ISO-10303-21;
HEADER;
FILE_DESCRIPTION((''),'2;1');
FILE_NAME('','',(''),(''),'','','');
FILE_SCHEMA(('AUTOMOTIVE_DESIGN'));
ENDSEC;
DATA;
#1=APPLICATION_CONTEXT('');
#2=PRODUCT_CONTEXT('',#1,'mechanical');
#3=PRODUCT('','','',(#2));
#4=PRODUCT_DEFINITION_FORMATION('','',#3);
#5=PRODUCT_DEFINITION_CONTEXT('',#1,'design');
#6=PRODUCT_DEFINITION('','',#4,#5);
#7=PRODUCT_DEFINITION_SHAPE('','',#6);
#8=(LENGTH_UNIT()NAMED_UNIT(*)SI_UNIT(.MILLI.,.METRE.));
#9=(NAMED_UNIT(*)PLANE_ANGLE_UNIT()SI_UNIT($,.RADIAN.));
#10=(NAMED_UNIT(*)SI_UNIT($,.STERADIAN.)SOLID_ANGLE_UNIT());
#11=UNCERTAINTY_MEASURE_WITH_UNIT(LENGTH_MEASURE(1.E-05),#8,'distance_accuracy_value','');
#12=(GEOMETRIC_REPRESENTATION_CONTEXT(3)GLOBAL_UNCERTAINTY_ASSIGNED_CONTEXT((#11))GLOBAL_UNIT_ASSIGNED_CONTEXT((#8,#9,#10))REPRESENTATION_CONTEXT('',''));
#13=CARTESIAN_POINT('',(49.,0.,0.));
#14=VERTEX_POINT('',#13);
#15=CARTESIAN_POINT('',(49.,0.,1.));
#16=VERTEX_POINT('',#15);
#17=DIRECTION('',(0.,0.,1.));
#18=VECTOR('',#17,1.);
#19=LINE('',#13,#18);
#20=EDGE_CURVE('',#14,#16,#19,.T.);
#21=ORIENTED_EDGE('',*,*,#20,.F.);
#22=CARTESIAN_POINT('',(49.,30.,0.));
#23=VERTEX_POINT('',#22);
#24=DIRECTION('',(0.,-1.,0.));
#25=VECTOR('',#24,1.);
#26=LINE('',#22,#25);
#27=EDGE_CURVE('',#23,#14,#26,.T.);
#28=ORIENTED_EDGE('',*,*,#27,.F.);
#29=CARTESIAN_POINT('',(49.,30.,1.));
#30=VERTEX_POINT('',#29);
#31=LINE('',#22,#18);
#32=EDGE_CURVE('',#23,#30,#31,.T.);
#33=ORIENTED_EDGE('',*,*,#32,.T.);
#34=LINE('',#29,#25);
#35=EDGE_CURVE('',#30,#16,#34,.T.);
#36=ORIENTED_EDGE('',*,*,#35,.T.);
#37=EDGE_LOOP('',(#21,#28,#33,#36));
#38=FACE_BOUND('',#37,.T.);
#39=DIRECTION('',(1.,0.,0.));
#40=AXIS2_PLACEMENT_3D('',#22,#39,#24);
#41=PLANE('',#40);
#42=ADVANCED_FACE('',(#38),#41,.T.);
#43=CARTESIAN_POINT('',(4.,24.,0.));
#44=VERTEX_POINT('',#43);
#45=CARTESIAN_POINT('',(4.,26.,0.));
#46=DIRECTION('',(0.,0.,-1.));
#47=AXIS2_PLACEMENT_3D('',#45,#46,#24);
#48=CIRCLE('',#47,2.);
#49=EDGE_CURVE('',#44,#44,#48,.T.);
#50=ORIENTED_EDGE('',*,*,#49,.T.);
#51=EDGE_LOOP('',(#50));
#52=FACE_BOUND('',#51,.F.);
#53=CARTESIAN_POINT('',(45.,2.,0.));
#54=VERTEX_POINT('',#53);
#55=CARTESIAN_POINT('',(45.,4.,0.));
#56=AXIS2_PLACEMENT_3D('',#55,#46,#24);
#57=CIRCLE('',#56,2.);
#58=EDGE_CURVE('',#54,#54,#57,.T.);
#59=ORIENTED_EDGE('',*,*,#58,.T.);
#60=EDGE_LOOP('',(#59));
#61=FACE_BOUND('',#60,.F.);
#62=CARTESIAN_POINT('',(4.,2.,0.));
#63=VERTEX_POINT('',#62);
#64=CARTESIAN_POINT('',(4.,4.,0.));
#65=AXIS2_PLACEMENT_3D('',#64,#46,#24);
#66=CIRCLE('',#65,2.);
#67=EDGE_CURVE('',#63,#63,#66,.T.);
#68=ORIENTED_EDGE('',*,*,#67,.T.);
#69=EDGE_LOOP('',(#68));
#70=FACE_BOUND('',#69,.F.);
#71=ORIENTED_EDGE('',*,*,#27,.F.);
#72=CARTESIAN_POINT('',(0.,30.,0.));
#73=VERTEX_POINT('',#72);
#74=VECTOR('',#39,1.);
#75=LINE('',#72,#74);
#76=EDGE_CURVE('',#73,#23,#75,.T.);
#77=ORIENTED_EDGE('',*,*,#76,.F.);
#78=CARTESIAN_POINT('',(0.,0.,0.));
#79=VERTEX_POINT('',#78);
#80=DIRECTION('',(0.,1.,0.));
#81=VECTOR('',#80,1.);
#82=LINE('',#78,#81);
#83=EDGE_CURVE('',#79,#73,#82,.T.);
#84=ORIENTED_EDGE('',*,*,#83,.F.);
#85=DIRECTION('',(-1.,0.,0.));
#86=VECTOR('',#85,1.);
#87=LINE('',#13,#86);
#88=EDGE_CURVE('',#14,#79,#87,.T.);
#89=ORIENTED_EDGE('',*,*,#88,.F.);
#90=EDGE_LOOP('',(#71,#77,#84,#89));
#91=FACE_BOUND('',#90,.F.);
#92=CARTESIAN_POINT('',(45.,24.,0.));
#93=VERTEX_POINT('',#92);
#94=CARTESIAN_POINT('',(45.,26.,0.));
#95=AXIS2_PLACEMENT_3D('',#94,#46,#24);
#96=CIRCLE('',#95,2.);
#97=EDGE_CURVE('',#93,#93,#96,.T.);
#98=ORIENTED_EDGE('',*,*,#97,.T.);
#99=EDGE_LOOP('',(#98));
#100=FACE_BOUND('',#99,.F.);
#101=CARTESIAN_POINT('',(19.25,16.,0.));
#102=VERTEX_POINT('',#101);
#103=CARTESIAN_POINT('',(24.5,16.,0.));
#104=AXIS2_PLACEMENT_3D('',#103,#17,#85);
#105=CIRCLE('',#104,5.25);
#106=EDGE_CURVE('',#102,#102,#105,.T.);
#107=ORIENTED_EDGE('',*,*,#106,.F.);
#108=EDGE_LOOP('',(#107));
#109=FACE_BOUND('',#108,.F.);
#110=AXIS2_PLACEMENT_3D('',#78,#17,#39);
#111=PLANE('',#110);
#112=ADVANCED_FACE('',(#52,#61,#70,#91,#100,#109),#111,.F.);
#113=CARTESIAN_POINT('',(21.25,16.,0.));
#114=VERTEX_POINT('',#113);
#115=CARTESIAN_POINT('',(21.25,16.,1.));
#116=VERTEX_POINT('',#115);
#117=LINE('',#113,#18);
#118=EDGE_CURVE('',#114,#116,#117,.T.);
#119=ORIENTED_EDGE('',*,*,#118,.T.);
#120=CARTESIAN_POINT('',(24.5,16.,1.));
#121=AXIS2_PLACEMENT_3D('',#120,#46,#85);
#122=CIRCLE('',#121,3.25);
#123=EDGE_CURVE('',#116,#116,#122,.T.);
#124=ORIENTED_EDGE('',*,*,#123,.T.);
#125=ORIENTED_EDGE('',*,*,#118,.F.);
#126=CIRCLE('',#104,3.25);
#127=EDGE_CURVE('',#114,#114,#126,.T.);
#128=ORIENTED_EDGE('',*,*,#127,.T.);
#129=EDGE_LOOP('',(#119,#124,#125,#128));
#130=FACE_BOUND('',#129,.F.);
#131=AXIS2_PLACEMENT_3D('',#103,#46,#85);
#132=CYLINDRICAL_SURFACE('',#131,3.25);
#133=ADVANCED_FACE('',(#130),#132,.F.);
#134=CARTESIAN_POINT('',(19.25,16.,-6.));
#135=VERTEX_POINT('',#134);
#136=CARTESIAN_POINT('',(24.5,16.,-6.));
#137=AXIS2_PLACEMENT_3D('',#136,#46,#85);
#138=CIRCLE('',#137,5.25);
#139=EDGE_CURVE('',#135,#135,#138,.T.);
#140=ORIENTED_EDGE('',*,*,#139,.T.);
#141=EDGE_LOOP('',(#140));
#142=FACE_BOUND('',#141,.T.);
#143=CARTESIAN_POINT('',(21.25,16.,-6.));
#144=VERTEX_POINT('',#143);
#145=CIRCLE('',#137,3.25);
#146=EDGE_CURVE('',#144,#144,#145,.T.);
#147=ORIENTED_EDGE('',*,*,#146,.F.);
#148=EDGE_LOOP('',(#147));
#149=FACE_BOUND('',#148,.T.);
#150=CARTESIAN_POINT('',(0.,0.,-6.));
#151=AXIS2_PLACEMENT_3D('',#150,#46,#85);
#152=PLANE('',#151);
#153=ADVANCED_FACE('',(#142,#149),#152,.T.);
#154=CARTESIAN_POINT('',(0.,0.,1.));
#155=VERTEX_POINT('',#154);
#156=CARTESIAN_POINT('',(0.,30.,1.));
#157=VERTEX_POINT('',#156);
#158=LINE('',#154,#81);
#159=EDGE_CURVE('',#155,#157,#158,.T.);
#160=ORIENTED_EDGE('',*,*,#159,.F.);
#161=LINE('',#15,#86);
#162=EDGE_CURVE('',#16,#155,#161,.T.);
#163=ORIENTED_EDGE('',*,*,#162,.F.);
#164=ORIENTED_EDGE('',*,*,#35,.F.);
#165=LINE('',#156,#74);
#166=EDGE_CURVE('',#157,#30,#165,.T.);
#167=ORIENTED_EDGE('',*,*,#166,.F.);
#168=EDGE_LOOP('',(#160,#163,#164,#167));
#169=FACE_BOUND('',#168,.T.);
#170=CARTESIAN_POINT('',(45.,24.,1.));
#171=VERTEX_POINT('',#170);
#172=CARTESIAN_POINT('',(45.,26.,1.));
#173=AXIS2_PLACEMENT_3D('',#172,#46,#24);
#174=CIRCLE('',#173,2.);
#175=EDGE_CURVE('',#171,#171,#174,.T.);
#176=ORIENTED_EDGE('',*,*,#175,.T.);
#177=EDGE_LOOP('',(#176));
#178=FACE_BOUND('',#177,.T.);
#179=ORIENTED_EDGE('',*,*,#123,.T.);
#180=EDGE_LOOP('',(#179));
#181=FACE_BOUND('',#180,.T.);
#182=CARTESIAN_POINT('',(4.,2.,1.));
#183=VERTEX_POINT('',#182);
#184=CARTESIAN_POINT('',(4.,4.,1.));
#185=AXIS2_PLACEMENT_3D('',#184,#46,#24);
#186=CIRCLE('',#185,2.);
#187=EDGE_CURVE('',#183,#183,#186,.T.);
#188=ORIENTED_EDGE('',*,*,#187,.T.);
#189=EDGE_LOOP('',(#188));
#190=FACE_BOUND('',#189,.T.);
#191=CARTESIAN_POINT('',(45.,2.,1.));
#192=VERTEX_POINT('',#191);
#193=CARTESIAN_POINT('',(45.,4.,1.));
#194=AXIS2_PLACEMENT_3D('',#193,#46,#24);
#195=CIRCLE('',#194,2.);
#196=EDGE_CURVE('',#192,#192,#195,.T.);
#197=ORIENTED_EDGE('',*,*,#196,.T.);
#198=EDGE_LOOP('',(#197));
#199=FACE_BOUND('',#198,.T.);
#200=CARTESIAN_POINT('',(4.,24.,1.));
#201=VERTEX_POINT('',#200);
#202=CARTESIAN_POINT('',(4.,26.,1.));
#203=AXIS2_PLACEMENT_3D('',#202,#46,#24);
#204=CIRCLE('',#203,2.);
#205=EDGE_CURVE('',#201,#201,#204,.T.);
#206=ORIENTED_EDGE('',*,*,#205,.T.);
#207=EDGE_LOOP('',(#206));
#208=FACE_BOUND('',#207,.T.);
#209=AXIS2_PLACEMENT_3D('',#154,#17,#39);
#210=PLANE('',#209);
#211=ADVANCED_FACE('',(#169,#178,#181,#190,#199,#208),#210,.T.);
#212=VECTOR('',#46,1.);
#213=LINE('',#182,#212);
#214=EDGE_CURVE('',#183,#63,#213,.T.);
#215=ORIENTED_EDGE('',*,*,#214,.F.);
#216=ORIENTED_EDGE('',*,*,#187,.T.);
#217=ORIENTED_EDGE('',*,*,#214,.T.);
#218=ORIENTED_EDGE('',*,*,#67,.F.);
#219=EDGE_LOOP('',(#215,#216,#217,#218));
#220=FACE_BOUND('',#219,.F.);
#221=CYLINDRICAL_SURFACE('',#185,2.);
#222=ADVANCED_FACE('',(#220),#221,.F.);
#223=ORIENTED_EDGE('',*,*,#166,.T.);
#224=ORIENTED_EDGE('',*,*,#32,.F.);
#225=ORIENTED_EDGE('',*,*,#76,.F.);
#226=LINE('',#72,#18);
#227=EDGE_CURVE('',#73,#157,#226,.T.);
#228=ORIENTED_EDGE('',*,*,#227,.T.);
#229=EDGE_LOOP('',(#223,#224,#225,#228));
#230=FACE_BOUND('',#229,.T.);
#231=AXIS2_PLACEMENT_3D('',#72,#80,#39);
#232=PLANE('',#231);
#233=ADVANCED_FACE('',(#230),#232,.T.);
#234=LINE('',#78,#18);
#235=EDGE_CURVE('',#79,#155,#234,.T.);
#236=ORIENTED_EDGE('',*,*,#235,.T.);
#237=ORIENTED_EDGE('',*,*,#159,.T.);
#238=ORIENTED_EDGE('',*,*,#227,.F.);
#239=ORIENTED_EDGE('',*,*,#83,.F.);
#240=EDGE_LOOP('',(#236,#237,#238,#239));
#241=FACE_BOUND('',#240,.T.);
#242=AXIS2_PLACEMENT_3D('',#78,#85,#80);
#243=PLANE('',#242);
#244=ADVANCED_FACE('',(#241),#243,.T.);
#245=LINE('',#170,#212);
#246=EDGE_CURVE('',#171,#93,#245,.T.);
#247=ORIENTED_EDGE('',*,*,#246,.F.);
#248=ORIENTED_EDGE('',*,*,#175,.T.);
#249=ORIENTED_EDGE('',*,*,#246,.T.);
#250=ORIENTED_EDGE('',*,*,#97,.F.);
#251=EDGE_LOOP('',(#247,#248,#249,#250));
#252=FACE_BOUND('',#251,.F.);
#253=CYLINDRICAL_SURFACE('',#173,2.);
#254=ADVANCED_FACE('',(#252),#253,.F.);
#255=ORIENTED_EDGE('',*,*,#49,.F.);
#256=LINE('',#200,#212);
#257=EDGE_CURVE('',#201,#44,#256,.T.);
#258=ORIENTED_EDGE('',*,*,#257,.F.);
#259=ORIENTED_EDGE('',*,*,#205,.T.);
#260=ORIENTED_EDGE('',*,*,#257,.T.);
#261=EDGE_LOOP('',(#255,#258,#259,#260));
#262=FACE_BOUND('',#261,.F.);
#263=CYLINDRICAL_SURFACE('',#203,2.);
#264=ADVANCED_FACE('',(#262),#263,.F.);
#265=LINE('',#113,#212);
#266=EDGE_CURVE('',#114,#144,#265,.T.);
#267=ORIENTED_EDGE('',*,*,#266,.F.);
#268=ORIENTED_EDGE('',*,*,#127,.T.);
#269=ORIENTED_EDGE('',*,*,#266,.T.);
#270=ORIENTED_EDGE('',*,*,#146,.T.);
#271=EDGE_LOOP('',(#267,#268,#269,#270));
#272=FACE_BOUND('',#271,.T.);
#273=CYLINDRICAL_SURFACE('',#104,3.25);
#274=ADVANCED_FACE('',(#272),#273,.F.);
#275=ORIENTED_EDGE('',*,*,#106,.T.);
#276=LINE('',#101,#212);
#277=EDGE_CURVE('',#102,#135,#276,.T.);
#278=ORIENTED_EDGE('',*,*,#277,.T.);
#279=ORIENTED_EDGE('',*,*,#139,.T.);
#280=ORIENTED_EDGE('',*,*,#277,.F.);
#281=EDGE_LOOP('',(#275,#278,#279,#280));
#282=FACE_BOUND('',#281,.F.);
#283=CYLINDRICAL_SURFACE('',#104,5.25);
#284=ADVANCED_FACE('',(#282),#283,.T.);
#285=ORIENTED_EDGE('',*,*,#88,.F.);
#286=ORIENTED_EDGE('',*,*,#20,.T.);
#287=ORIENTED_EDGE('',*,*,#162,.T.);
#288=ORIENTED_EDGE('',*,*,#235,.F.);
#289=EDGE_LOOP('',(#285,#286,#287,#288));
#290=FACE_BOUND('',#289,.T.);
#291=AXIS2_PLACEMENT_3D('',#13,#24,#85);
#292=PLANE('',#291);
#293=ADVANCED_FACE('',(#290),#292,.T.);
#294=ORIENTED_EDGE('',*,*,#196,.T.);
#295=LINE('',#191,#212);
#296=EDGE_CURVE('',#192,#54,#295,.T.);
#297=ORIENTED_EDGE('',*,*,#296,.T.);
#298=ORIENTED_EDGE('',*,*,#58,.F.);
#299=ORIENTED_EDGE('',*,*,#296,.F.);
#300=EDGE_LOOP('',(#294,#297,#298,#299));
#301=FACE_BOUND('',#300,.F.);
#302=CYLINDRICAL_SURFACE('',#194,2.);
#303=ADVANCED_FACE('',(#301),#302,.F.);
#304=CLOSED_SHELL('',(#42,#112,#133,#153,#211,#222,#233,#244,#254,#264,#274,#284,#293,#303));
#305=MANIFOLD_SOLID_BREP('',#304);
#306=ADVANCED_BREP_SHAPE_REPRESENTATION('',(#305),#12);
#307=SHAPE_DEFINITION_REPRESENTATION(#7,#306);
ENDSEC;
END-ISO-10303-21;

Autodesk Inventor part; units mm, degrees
ref_plane "YZ Plane" through (0, 0, 0) normal (1, 0, 0) x (0, 1, 0)
ref_plane "XZ Plane" through (0, 0, 0) normal (0, 1, 0) x (-1, 0, 0)
ref_plane "XY Plane" through (0, 0, 0) normal (0, 0, 1) x (1, 0, 0)
sketch "Skizze1" plane through (0, 0, 0) normal (0, 0, 1) x (1, 0, 0)
  line L0 (0, 30) -> (49, 30)
  line L1 (49, 30) -> (49, 0)
  line L2 (49, 0) -> (0, 0)
  line L3 (0, 0) -> (0, 30)
  line L4 (-9.8, 0) -> (58.8, 0) projected
  line L5 (0, -6) -> (0, 36) projected
  point P0 (0, 0)
  dimension "d0" = 49
  dimension "d1" = 30
extrude "Extrusion1" add sketch "Skizze1" along normal blind 1
sketch "Skizze2" plane through (0, 0, 0) normal (0, 0, -1) x (-1, 0, 0)
  circle A0 centre (-24.5, 16) radius 3.25
  line L0 (-49, 30) -> (0, 30) projected
  line L1 (0, 0) -> (-49, 0) projected
  circle A1 centre (-24.5, 16) radius 5.25
  line L2 (-41, 30) -> (-8, 30)
  line L3 (-8, 30) -> (-8, 2)
  line L4 (-8, 2) -> (-41, 2)
  line L5 (-41, 2) -> (-41, 30)
  line L6 (-49, 0) -> (-49, 30) projected
  line L7 (0, 30) -> (0, 0) projected
  line L8 (-24.5, 30) -> (-24.5, 2)
  dimension "d4" = 6.5
  dimension "d5" = 10.5
  dimension "d8" = 2
  dimension "d9" = 8
  dimension "d10" = 8
  dimension "d11" = 14
extrude "Extrusion2" add sketch "Skizze2" along normal blind 6 contours A0 L8 A1 | A0 L8 A1
sketch "Skizze6" plane through (24.5, 16, 0) normal (0, 0, -1) x (-1, 0, 0)
  circle A0 centre (0, 0) radius 3.25
  circle A1 centre (0, 0) radius 3.25 projected
  point P0 (24.5, -16)
extrude "Extrusion3" cut sketch "Skizze6" against normal through all
sketch "Skizze7" plane through (0, 0, 1) normal (0, 0, 1) x (1, 0, 0)
  line L0 (0, 30) -> (0, 0) projected
  line L1 (49, 30) -> (0, 30) projected
  point P0 (4, 26)
  point P1 (45, 26)
  point P2 (4, 4)
  point P3 (45, 4)
  dimension "d15" = 4
  dimension "d16" = 4
  dimension "d19" = 41
  dimension "d22" = 22
hole "Bohrung1" at (4, 26, 1) at (45, 26, 1) at (4, 4, 1) at (45, 4, 1) direction (0, 0, -1) diameter 4 end through all
properties part number "RE-Halter"
